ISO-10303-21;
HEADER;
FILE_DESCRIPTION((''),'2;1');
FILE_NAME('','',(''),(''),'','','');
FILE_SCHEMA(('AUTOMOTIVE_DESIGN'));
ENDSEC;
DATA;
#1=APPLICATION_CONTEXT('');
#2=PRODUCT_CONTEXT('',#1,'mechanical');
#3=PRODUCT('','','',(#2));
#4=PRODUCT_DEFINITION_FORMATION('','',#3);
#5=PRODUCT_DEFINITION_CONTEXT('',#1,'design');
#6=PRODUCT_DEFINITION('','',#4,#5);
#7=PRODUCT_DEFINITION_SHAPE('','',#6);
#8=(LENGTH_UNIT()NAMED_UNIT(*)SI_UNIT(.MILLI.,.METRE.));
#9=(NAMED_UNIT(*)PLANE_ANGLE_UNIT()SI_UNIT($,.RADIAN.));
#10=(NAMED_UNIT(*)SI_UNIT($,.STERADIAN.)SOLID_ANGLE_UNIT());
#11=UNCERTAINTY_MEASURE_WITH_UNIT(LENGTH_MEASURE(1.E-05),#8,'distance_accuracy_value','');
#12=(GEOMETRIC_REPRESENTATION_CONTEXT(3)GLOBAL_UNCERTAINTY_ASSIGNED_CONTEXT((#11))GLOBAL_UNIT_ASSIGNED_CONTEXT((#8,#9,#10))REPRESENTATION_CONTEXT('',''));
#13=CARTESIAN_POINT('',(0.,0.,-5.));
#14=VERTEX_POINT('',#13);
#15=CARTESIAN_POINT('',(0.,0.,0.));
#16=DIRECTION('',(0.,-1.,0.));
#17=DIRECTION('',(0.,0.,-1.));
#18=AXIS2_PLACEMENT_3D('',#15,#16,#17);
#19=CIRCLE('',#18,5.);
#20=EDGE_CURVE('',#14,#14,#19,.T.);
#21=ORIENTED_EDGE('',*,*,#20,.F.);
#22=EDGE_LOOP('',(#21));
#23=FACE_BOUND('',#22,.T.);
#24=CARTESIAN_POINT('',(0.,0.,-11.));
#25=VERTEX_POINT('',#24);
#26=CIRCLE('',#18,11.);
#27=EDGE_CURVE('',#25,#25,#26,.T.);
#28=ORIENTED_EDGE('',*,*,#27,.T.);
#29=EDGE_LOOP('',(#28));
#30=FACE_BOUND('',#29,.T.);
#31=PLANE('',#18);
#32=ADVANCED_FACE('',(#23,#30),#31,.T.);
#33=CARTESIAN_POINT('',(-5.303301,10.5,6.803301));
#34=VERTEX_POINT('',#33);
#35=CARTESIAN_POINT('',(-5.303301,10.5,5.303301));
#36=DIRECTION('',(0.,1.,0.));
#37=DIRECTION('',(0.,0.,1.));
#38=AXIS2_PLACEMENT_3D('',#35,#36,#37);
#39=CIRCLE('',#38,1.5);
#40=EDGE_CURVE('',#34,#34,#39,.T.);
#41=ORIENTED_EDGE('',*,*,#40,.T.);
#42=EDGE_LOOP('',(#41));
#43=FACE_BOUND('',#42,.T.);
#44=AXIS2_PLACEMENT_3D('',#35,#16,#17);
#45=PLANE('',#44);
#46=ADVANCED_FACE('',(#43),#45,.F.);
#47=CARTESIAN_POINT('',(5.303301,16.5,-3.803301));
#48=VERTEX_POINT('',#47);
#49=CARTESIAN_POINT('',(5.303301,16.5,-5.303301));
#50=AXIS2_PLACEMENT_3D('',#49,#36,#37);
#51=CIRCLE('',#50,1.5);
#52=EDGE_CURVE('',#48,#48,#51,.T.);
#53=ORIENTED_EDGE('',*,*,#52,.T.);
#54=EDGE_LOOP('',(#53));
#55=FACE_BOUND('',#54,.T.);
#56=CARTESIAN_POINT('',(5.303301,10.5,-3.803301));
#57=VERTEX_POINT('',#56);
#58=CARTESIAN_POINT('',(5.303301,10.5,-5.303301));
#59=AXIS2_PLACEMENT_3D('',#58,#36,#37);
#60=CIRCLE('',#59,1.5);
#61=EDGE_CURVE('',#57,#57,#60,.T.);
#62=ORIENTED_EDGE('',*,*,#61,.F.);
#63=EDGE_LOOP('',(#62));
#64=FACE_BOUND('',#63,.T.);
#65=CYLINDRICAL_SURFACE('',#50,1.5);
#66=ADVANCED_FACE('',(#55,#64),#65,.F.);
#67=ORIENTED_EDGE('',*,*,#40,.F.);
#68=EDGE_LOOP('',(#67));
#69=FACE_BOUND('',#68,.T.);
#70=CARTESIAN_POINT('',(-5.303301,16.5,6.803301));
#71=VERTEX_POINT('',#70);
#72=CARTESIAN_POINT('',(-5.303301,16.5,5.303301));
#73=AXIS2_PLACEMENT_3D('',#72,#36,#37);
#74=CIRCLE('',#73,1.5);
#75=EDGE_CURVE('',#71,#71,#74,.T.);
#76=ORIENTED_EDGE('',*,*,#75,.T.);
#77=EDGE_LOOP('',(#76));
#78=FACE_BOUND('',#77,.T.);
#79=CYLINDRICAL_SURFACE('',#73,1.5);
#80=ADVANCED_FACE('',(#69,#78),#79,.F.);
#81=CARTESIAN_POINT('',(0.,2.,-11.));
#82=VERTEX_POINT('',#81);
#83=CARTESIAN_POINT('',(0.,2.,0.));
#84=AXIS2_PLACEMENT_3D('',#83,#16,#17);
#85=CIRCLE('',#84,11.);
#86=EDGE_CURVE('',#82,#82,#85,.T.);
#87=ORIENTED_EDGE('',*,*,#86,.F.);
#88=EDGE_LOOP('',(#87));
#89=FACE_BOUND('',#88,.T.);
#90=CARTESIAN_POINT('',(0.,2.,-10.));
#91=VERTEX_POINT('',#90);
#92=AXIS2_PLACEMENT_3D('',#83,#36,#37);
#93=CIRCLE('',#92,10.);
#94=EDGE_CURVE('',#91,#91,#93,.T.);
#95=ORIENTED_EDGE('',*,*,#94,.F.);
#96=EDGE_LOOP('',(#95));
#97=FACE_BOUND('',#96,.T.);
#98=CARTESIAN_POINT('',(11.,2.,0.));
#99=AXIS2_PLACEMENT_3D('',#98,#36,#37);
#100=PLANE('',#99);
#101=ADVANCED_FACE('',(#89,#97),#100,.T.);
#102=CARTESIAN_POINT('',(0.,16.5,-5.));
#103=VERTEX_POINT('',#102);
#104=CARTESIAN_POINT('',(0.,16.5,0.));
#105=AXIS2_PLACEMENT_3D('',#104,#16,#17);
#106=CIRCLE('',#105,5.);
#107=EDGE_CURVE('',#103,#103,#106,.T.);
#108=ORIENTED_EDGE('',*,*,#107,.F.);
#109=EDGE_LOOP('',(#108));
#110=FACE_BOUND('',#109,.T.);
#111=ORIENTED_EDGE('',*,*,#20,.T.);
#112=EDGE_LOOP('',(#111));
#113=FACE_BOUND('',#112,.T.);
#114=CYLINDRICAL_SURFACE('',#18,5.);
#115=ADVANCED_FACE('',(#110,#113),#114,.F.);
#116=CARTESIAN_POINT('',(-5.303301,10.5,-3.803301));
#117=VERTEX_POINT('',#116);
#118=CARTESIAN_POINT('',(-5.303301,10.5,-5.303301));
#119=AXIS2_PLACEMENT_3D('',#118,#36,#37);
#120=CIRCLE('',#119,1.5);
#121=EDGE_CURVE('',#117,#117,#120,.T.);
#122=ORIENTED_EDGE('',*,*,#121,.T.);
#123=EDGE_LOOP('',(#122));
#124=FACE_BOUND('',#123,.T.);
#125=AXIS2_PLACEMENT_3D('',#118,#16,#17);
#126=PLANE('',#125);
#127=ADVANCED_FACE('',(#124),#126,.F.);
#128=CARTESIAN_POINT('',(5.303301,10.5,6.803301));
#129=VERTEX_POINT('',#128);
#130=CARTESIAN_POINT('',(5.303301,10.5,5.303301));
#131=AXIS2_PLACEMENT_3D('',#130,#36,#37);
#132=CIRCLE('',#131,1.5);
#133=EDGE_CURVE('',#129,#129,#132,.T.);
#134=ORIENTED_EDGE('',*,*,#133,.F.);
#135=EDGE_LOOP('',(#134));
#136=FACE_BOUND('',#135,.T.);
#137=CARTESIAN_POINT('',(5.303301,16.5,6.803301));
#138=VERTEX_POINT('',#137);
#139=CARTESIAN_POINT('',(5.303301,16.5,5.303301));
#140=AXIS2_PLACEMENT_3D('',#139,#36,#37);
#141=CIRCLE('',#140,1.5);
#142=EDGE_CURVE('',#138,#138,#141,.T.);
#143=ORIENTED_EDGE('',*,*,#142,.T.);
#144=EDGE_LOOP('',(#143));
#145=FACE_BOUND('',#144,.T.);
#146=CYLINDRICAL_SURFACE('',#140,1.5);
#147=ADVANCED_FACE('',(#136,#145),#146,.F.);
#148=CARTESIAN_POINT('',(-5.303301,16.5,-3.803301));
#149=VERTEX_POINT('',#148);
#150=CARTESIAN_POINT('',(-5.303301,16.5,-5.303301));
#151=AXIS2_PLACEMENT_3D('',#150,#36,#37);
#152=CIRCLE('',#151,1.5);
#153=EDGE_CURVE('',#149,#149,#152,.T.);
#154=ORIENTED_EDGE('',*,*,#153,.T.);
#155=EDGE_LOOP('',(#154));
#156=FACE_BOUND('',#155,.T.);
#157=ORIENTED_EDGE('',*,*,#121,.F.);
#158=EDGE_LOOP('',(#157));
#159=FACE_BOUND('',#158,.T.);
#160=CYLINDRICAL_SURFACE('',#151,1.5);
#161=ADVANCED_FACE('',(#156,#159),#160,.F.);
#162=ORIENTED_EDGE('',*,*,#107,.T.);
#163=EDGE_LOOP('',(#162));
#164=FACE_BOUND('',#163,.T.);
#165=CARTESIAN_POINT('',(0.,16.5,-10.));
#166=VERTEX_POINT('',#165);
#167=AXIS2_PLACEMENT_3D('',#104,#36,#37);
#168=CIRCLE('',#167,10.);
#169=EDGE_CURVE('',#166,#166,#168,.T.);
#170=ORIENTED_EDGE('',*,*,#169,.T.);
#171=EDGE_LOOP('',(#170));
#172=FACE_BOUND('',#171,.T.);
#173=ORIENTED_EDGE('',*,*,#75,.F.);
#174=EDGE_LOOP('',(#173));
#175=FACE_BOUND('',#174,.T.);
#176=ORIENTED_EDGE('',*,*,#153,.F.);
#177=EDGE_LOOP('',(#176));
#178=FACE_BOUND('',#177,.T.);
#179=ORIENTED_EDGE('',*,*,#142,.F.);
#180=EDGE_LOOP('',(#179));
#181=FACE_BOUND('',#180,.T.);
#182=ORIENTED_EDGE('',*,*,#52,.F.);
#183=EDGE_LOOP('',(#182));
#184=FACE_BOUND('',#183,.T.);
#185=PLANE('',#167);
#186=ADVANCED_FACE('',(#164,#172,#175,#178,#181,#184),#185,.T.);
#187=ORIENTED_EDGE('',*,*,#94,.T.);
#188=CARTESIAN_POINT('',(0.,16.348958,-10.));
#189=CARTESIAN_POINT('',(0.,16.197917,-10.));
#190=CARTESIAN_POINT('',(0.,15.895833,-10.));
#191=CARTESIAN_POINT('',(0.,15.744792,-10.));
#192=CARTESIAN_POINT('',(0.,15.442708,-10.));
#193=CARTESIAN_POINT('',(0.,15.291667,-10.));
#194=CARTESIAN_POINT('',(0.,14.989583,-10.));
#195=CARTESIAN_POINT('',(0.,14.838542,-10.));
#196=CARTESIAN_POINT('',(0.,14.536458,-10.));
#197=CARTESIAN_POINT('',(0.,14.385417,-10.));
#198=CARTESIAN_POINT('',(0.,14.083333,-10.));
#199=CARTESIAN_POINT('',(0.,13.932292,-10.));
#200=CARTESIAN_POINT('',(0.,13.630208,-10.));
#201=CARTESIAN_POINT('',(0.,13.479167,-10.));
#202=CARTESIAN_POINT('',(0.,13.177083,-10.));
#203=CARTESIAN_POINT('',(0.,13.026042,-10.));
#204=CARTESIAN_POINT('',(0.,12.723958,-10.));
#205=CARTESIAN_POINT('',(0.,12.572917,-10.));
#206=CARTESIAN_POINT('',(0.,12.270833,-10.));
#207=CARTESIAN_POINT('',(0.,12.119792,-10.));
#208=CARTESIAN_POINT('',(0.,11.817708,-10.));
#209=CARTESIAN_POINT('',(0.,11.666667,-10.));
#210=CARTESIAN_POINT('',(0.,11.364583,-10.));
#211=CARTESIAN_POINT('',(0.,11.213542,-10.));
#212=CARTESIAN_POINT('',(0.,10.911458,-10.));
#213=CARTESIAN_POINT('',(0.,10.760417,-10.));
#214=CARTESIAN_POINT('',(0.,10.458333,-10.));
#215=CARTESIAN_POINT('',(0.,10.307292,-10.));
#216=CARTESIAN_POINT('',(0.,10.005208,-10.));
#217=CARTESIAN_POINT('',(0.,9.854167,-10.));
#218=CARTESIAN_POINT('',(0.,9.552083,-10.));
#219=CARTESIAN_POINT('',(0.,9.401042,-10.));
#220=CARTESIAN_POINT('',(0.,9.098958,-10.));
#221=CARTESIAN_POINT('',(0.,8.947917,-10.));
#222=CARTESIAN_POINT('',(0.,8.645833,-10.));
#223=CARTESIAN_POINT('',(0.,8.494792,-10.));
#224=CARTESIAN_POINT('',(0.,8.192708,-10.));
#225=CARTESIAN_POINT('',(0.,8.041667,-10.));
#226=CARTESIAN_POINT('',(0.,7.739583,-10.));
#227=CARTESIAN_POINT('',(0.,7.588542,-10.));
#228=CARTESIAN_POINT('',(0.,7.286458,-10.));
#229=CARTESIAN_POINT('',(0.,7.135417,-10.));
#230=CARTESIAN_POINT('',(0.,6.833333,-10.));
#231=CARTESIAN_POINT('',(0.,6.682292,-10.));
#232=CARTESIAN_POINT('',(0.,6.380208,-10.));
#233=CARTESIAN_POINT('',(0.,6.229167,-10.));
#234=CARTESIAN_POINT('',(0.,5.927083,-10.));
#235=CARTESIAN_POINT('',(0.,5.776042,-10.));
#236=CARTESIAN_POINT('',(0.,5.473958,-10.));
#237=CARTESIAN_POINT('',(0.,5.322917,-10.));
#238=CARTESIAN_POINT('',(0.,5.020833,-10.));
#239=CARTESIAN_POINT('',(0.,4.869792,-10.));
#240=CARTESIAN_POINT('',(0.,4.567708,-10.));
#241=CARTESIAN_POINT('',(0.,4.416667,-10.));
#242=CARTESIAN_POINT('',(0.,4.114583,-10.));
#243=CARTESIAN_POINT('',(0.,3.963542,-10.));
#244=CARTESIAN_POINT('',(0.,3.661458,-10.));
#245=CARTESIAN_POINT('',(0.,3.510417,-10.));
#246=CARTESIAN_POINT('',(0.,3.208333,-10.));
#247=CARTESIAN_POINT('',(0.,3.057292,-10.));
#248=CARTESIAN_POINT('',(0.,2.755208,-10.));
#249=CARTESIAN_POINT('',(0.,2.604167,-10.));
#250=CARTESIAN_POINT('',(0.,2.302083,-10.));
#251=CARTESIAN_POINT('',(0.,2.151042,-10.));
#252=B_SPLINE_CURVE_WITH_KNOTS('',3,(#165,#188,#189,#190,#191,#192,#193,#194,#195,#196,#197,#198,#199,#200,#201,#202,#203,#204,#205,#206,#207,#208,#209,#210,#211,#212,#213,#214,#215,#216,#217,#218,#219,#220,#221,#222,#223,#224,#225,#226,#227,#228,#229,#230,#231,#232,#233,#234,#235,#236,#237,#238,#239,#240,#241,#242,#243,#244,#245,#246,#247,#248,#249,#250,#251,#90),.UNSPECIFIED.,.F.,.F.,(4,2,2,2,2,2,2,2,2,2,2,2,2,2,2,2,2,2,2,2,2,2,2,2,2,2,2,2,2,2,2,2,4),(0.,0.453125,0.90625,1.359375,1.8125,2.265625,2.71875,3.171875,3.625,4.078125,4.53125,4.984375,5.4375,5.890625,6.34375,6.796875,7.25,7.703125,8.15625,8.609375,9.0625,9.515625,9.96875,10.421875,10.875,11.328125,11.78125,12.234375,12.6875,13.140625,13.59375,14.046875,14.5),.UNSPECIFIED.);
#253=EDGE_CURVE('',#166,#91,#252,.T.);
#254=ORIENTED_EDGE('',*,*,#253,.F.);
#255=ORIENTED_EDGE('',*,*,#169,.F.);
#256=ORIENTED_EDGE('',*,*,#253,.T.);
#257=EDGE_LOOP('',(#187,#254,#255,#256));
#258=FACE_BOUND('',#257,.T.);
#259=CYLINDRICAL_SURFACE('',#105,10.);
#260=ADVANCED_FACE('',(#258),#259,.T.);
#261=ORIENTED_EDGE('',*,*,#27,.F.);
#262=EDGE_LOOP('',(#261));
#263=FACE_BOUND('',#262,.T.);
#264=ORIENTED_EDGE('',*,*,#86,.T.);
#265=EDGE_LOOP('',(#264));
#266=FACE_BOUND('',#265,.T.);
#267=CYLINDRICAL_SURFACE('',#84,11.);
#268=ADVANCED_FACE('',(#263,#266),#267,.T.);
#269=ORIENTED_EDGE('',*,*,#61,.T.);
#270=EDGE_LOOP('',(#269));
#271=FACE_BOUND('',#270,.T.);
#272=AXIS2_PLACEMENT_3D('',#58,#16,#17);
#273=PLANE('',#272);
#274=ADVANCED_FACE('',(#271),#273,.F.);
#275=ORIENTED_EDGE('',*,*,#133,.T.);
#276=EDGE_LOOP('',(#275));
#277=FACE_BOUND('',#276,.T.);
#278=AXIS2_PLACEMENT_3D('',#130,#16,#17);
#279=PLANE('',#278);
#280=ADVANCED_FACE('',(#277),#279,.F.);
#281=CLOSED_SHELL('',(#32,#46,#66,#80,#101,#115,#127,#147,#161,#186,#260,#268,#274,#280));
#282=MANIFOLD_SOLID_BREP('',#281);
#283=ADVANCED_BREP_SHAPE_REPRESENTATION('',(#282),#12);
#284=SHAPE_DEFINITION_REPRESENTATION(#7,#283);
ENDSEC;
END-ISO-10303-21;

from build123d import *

# Parameters (mm, degrees)
SKETCH_1_W                = 11
SKETCH_1_H                = 2
SKETCH_2_R                = 10
EXTRUDE_1_DEPTH           = 14.5
HOLE_WIZARD_3_0_3_1_D     = 3
HOLE_WIZARD_3_0_3_1_DEPTH = 6
HOLE_WIZARD_10_0_10_1_D   = 10


with BuildPart() as part:
    # 草图1 → 旋转1 (revolve)
    with BuildSketch(Plane.XY, mode=Mode.PRIVATE) as revolve_1_sk:
        with Locations((5.5, 1)):
            Rectangle(SKETCH_1_W, SKETCH_1_H)
    revolve(revolve_1_sk.sketch.rotate(Axis((0, 2, 0), (0, -1, 0)), 270), axis=Axis((0, 2, 0), (0, -1, 0)))

    # 草图2 → 凸台-拉伸1 (add)
    with BuildSketch(Plane(origin=(0, 2, 0), x_dir=(-1, 0, 0), z_dir=(0, 1, 0))):
        with Locations(Location((0, 0, 0), (0, 0, 270))):
            Circle(SKETCH_2_R)
    extrude(amount=EXTRUDE_1_DEPTH)

    # Ø3.0 (3) 直径孔1
    with Locations(Plane(origin=(0, 16.5, 0), x_dir=(1, 0, 0), z_dir=(0, 1, 0))):
        with Locations((5.303300859, 5.303300859), (5.303300859, -5.303300859), (-5.303300859, -5.303300859), (-5.303300859, 5.303300859)):
            Hole(HOLE_WIZARD_3_0_3_1_D / 2, depth=HOLE_WIZARD_3_0_3_1_DEPTH)

    # Ø10.0 (10) 直径孔1 (through all)
    with Locations(Plane(origin=(0, 0, 0), x_dir=(-1, 0, 0), z_dir=(0, -1, 0))):
        with Locations((0, 0)):
            Hole(HOLE_WIZARD_10_0_10_1_D / 2)


solid = part.part
